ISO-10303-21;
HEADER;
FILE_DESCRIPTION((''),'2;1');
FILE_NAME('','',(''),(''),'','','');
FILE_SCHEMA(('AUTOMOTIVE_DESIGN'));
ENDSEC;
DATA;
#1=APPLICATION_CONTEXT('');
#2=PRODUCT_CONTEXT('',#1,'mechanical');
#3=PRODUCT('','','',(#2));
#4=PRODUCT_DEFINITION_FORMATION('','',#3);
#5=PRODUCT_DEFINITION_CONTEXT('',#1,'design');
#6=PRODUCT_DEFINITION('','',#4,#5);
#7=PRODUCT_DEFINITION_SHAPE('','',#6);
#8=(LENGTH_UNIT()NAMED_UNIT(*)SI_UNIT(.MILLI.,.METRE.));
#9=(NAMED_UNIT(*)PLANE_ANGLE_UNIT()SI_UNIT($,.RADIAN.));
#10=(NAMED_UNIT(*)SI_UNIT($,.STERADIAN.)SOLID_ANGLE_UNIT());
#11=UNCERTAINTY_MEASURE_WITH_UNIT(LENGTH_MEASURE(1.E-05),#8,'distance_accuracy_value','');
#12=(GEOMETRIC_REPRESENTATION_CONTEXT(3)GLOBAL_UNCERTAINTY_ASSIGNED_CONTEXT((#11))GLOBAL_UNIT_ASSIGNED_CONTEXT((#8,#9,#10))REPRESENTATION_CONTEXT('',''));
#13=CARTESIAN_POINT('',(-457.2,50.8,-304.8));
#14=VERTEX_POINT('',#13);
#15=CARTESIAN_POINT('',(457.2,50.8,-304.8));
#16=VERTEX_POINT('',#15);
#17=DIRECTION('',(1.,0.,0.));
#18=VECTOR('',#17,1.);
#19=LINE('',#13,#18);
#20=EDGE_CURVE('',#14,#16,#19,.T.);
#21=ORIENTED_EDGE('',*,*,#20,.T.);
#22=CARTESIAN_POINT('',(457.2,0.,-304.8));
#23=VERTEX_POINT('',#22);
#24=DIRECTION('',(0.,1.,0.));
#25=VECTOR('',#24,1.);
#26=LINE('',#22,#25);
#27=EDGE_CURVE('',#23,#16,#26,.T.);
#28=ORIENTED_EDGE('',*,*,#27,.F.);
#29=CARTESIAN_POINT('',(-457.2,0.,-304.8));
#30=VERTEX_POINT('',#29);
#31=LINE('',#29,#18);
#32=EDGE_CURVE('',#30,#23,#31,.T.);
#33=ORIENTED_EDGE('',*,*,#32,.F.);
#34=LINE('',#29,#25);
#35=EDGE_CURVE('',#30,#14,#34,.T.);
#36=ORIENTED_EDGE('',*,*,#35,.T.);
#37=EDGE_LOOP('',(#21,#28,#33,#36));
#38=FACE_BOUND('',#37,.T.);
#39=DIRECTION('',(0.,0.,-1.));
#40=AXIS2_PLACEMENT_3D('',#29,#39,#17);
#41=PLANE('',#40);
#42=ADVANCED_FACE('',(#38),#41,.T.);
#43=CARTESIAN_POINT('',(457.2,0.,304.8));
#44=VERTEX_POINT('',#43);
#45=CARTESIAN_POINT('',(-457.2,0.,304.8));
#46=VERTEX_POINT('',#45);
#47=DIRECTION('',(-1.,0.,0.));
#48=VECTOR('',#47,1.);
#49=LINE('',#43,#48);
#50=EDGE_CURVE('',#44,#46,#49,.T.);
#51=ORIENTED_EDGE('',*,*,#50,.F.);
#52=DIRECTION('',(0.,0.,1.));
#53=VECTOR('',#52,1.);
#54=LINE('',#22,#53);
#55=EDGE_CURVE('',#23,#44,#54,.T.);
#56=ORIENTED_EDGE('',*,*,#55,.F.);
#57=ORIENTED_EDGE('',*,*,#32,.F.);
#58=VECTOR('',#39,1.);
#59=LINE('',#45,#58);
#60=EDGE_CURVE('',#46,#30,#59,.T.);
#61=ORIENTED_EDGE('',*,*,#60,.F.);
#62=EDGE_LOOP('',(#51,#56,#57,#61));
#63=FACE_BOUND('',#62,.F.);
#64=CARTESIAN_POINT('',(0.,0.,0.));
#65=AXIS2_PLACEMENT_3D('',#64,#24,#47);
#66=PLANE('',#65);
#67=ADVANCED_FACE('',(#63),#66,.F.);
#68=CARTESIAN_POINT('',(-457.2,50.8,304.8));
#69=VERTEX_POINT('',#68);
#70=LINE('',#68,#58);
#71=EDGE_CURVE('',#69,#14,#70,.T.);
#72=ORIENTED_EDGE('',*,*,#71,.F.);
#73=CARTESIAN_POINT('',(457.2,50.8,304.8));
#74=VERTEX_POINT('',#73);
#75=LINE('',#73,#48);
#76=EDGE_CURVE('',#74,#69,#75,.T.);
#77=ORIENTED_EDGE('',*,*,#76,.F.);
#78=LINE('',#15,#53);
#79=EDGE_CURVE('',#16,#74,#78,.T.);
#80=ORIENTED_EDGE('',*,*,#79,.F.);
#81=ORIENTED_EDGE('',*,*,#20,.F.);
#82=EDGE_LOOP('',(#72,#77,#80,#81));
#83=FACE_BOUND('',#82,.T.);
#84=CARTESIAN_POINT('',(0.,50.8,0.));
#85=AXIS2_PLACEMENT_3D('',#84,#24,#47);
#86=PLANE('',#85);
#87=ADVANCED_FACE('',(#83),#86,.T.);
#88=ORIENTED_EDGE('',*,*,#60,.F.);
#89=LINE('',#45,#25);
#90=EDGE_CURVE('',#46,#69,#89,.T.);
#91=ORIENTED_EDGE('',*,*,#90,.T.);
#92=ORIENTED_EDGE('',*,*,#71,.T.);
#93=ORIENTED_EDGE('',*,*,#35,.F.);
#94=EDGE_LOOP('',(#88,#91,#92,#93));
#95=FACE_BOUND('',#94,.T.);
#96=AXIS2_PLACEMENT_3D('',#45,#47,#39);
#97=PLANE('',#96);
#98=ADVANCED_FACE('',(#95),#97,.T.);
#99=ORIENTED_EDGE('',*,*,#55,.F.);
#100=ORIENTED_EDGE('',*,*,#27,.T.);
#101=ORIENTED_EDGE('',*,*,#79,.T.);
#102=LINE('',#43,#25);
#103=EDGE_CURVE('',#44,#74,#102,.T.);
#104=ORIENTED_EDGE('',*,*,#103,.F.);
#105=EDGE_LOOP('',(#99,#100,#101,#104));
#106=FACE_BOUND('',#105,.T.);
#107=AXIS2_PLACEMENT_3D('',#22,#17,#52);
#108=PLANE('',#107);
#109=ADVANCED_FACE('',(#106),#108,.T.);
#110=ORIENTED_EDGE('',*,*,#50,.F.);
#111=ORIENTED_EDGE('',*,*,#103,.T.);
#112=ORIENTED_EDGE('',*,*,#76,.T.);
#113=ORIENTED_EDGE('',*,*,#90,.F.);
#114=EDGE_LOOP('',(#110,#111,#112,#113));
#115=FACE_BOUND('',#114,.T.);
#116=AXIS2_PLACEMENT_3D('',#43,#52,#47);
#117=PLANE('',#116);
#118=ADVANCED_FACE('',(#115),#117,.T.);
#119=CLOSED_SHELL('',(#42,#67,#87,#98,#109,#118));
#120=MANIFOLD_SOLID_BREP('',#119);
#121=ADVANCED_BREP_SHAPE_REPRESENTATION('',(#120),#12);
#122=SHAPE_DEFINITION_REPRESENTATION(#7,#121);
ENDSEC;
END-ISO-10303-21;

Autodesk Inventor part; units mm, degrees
ref_plane "YZ Plane" through (0, 0, 0) normal (1, 0, 0) x (0, 1, 0)
ref_plane "XZ Plane" through (0, 0, 0) normal (0, 1, 0) x (-1, 0, 0)
ref_plane "XY Plane" through (0, 0, 0) normal (0, 0, 1) x (1, 0, 0)
sketch "Sketch3" plane through (0, 0, 0) normal (0, 1, 0) x (-1, 0, 0)
  line L0 (457.2, -304.8) -> (-457.2, -304.8)
  line L1 (-457.2, -304.8) -> (-457.2, 304.8)
  line L2 (-457.2, 304.8) -> (457.2, 304.8)
  line L3 (457.2, 304.8) -> (457.2, -304.8)
  line L4 (457.2, -304.8) -> (-457.2, 304.8) construction
  line L5 (-457.2, -304.8) -> (457.2, 304.8) construction
  point P0 (0, 0)
  dimension "d4" = 914.4
  dimension "d5" = 609.6
extrude "Extrusion2" add sketch "Sketch3" along normal blind 50.8
properties part number "24x36x2-50" material "Granite, Cut, Polished"
